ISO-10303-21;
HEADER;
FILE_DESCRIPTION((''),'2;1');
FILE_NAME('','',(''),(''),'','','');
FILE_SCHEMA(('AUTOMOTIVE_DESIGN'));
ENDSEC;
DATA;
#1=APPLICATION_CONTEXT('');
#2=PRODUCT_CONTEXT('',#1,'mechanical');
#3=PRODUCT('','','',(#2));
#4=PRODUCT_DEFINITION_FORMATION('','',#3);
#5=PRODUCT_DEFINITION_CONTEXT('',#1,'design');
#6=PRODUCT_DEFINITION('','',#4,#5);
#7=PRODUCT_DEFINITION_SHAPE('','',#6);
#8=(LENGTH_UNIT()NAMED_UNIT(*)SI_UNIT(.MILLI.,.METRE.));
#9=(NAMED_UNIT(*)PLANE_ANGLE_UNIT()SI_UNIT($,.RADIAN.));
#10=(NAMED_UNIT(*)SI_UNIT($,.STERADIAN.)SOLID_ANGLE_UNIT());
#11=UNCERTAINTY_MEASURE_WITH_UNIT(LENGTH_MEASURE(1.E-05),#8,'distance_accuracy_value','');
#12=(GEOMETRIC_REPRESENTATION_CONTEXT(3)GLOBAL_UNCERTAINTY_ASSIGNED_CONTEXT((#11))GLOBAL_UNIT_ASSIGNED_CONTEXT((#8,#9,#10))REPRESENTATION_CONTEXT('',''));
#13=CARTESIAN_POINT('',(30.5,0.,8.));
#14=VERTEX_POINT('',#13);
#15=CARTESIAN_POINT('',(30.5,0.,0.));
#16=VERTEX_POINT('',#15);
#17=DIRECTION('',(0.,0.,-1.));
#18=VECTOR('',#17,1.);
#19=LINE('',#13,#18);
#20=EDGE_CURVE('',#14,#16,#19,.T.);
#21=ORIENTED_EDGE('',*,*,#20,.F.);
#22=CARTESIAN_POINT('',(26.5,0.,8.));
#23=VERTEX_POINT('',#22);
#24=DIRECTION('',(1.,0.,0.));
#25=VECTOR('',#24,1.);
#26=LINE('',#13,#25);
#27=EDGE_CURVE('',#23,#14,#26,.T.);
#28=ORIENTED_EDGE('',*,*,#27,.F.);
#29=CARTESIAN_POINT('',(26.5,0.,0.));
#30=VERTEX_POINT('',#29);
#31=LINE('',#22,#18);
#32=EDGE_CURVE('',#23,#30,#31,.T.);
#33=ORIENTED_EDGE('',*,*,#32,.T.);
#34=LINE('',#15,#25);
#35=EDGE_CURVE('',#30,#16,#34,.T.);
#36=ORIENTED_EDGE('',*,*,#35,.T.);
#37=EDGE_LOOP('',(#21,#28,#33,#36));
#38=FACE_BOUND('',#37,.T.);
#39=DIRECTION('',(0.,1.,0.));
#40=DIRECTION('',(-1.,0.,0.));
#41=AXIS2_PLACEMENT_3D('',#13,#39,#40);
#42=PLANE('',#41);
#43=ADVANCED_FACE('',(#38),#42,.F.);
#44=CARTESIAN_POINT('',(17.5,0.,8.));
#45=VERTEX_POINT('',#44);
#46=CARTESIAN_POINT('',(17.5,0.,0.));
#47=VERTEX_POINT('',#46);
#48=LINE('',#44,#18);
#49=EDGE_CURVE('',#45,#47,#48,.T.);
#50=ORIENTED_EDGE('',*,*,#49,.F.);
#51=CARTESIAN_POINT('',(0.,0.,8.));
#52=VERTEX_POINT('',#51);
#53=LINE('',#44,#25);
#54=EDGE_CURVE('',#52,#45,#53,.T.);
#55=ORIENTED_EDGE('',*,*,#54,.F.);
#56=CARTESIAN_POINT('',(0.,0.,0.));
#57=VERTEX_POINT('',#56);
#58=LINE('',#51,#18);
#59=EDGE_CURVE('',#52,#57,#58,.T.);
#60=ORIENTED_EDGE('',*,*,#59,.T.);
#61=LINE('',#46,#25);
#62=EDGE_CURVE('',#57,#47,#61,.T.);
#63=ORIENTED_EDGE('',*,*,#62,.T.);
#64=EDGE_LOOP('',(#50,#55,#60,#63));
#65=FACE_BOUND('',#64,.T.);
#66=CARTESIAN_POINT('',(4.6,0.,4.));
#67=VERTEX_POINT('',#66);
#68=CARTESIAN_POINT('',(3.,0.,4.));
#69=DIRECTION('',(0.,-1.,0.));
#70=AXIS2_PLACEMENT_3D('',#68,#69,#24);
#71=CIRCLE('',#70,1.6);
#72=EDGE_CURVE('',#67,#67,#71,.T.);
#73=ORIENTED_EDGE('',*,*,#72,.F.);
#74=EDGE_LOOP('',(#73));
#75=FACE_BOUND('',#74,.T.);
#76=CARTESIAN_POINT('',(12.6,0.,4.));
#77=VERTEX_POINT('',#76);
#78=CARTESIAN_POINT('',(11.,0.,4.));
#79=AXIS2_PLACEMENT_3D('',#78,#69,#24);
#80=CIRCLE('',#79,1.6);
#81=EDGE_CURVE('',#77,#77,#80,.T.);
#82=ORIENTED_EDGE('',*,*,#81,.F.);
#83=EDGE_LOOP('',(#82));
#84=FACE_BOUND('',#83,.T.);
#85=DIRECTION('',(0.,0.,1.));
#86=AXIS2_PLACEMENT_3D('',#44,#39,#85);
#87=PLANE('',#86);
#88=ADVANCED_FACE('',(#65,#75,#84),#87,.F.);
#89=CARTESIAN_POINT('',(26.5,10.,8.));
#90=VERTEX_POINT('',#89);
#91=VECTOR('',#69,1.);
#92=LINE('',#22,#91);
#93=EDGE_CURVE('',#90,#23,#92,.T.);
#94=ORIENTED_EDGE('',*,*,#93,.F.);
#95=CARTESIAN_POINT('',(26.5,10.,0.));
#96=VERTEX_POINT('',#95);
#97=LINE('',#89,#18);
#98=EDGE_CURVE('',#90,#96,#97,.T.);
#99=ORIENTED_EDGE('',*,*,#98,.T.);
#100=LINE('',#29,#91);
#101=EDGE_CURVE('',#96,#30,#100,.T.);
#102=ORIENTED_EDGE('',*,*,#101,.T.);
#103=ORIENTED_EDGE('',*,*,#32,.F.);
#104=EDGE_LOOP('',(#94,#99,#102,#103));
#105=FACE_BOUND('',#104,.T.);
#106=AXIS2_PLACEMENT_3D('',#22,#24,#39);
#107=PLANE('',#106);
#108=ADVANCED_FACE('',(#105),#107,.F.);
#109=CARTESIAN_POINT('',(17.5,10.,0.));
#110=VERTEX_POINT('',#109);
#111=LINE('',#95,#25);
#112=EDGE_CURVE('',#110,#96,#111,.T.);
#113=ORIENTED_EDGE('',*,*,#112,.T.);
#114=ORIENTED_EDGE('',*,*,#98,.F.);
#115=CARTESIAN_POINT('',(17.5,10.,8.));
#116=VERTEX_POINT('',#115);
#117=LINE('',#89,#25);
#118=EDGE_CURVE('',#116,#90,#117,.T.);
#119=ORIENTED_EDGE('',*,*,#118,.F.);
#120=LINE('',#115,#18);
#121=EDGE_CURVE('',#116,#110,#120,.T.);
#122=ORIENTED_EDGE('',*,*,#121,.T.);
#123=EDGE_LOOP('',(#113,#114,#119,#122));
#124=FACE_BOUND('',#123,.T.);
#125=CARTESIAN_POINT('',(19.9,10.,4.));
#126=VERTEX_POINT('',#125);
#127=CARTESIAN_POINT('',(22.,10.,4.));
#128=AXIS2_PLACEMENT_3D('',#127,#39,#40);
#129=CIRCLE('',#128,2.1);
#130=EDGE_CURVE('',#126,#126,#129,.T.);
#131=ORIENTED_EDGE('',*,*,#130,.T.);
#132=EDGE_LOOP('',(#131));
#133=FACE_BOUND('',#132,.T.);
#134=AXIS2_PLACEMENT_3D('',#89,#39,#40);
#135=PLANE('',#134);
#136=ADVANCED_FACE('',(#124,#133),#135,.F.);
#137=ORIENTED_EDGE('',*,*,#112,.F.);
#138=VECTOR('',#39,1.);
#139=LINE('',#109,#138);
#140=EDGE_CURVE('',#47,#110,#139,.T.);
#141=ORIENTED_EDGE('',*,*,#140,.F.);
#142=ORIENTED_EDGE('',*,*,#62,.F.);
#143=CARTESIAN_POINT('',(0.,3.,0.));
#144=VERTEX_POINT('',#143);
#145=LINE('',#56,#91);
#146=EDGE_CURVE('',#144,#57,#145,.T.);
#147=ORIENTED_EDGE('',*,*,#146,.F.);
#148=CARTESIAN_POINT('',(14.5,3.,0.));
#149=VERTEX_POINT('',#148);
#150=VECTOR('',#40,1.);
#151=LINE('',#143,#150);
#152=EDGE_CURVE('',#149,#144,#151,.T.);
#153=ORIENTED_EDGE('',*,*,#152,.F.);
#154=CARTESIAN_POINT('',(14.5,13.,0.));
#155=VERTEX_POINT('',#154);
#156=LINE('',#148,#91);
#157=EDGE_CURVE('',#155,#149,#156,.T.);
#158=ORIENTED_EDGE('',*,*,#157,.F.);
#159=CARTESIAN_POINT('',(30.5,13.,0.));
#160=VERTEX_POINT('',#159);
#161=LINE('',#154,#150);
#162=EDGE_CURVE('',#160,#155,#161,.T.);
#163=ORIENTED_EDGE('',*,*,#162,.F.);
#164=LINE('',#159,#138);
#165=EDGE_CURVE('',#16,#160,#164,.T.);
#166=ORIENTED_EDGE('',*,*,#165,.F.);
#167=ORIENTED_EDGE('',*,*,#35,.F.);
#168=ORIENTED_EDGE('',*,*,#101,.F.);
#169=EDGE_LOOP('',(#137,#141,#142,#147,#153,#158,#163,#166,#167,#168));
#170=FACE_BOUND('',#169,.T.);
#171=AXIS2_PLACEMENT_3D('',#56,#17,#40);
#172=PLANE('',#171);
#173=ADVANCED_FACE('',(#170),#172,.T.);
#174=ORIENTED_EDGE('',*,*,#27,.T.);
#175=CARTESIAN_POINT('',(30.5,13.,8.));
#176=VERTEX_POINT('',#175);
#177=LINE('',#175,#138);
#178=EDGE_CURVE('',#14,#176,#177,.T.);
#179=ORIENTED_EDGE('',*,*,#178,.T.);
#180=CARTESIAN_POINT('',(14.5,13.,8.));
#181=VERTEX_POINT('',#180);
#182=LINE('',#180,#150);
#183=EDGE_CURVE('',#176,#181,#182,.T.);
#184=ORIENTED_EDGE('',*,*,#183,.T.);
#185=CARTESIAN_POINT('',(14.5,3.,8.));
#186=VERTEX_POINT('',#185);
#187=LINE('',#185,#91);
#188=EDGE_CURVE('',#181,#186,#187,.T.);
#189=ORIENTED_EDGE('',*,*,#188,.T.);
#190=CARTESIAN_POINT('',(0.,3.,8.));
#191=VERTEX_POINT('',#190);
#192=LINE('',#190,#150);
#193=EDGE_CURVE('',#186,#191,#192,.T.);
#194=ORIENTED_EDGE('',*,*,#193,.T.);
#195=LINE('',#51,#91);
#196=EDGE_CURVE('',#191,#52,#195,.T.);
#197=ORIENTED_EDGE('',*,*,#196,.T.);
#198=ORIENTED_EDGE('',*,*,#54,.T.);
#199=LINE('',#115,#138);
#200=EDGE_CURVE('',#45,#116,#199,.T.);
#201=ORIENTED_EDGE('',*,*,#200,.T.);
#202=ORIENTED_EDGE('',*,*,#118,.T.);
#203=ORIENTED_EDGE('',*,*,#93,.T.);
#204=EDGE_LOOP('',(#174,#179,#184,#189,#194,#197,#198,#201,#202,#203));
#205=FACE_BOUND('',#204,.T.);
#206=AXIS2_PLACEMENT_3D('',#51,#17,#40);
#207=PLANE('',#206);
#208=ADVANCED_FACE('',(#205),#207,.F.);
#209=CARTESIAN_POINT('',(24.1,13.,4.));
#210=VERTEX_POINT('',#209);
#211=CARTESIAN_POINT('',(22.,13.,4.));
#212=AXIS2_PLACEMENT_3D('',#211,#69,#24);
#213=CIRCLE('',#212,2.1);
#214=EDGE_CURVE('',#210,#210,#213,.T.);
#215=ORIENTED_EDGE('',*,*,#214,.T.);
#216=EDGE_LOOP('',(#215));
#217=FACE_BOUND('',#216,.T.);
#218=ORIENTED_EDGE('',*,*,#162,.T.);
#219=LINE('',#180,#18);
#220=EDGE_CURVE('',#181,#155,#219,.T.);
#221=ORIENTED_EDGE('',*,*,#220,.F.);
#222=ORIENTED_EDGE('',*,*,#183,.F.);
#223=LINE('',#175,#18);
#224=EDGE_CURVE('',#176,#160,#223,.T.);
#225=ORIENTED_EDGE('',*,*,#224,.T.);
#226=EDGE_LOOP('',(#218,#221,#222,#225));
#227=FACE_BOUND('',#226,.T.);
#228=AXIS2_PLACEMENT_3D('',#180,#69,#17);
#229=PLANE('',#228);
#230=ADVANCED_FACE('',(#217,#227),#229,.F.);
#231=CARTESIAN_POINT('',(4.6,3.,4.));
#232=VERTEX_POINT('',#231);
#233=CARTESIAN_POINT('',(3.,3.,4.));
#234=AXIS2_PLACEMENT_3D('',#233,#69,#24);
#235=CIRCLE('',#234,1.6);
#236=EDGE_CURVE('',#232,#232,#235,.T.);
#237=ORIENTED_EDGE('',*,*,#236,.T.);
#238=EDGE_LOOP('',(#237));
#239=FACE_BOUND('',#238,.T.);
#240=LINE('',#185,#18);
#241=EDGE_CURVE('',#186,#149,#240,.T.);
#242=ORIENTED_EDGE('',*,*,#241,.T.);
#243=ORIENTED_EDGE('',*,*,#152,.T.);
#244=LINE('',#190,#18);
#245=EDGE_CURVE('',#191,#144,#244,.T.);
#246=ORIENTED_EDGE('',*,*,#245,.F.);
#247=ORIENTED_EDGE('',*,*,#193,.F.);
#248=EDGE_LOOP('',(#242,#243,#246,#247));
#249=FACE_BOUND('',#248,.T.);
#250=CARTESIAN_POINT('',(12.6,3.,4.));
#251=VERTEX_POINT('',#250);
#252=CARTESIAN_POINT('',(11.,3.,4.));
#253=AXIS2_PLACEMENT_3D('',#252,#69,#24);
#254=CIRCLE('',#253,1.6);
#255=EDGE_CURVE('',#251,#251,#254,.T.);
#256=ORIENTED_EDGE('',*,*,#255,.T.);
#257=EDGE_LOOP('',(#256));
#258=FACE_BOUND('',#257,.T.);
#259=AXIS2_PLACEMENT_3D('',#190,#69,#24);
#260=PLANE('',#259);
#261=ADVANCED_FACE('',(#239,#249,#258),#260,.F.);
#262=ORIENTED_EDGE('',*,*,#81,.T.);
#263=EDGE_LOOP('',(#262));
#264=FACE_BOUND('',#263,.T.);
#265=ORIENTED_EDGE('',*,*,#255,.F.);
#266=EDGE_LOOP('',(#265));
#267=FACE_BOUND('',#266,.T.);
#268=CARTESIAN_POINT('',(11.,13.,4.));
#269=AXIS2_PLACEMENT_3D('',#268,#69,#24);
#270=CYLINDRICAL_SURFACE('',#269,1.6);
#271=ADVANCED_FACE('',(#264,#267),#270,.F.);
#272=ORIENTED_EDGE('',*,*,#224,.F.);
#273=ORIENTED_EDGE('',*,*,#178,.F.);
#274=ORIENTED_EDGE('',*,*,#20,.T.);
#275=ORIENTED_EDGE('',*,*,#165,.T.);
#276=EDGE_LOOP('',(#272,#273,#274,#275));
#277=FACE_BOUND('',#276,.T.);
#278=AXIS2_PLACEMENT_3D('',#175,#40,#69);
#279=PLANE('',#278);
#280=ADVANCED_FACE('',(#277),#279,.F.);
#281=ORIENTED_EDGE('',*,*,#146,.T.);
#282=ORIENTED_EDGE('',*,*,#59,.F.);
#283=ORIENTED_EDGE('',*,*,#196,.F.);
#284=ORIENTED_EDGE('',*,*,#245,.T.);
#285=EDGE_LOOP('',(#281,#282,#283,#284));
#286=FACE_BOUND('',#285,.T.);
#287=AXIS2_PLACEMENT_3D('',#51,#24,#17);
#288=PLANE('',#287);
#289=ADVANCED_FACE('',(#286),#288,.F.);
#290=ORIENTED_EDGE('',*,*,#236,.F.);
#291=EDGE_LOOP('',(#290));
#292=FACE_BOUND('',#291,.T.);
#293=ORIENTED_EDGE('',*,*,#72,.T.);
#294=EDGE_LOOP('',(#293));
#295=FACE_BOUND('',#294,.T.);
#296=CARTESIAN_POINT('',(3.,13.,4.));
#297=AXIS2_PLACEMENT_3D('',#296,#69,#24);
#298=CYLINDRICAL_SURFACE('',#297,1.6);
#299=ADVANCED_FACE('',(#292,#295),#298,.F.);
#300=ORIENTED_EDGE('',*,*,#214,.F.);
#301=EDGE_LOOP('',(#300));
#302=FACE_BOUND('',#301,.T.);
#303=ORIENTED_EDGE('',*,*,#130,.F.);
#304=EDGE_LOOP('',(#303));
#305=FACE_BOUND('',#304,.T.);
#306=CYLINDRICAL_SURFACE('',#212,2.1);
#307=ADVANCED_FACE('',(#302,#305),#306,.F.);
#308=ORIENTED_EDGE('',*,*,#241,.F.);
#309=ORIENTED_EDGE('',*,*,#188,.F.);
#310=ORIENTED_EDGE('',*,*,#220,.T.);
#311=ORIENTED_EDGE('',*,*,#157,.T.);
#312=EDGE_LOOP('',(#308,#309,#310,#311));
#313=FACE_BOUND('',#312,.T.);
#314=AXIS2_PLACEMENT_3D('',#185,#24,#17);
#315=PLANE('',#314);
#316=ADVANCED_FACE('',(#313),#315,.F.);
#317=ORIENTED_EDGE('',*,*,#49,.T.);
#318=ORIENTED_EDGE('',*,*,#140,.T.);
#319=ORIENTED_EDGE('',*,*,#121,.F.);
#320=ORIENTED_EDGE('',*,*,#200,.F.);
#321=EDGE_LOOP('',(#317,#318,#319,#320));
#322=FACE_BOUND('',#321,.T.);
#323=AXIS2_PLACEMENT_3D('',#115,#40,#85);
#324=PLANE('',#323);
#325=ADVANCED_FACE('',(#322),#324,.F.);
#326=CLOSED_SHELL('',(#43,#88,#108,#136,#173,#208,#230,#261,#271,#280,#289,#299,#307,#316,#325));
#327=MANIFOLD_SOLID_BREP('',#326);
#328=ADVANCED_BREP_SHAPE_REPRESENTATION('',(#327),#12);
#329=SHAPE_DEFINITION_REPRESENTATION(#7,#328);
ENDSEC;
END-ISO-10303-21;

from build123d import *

# Parameters (mm, degrees)
EXTRUDE_1_DEPTH          = 8
CUT_EXTRUDE_1_DEPTH      = 34.079449814
CUT_EXTRUDE_1_DEPTH_BACK = 34.079449814
SKETCH_2_R               = 1.6
SKETCH_2_R_2             = 2.1


with BuildPart() as part:
    # 草图1 → 凸台-拉伸1 (new body)
    with BuildSketch(Plane.XY):
        Polygon((0, 0), (0, 3), (14.5, 3), (14.5, 13), (30.5, 13), (30.5, 0), (26.5, 0), (26.5, 10), (17.5, 10), (17.5, 0), align=None)
    extrude(amount=EXTRUDE_1_DEPTH)

    # 草图2 → 切除-拉伸1 (cut, two sides: drawn at the far end of the back side and taken through both)
    with BuildSketch(Plane.XZ.offset(-10).offset(-CUT_EXTRUDE_1_DEPTH_BACK)):
        with Locations((3, 4)):
            Circle(SKETCH_2_R)
        with Locations((11, 4)):
            Circle(SKETCH_2_R)
        with Locations((22, 4)):
            Circle(SKETCH_2_R_2)
    extrude(amount=CUT_EXTRUDE_1_DEPTH + CUT_EXTRUDE_1_DEPTH_BACK, mode=Mode.SUBTRACT)


solid = part.part
